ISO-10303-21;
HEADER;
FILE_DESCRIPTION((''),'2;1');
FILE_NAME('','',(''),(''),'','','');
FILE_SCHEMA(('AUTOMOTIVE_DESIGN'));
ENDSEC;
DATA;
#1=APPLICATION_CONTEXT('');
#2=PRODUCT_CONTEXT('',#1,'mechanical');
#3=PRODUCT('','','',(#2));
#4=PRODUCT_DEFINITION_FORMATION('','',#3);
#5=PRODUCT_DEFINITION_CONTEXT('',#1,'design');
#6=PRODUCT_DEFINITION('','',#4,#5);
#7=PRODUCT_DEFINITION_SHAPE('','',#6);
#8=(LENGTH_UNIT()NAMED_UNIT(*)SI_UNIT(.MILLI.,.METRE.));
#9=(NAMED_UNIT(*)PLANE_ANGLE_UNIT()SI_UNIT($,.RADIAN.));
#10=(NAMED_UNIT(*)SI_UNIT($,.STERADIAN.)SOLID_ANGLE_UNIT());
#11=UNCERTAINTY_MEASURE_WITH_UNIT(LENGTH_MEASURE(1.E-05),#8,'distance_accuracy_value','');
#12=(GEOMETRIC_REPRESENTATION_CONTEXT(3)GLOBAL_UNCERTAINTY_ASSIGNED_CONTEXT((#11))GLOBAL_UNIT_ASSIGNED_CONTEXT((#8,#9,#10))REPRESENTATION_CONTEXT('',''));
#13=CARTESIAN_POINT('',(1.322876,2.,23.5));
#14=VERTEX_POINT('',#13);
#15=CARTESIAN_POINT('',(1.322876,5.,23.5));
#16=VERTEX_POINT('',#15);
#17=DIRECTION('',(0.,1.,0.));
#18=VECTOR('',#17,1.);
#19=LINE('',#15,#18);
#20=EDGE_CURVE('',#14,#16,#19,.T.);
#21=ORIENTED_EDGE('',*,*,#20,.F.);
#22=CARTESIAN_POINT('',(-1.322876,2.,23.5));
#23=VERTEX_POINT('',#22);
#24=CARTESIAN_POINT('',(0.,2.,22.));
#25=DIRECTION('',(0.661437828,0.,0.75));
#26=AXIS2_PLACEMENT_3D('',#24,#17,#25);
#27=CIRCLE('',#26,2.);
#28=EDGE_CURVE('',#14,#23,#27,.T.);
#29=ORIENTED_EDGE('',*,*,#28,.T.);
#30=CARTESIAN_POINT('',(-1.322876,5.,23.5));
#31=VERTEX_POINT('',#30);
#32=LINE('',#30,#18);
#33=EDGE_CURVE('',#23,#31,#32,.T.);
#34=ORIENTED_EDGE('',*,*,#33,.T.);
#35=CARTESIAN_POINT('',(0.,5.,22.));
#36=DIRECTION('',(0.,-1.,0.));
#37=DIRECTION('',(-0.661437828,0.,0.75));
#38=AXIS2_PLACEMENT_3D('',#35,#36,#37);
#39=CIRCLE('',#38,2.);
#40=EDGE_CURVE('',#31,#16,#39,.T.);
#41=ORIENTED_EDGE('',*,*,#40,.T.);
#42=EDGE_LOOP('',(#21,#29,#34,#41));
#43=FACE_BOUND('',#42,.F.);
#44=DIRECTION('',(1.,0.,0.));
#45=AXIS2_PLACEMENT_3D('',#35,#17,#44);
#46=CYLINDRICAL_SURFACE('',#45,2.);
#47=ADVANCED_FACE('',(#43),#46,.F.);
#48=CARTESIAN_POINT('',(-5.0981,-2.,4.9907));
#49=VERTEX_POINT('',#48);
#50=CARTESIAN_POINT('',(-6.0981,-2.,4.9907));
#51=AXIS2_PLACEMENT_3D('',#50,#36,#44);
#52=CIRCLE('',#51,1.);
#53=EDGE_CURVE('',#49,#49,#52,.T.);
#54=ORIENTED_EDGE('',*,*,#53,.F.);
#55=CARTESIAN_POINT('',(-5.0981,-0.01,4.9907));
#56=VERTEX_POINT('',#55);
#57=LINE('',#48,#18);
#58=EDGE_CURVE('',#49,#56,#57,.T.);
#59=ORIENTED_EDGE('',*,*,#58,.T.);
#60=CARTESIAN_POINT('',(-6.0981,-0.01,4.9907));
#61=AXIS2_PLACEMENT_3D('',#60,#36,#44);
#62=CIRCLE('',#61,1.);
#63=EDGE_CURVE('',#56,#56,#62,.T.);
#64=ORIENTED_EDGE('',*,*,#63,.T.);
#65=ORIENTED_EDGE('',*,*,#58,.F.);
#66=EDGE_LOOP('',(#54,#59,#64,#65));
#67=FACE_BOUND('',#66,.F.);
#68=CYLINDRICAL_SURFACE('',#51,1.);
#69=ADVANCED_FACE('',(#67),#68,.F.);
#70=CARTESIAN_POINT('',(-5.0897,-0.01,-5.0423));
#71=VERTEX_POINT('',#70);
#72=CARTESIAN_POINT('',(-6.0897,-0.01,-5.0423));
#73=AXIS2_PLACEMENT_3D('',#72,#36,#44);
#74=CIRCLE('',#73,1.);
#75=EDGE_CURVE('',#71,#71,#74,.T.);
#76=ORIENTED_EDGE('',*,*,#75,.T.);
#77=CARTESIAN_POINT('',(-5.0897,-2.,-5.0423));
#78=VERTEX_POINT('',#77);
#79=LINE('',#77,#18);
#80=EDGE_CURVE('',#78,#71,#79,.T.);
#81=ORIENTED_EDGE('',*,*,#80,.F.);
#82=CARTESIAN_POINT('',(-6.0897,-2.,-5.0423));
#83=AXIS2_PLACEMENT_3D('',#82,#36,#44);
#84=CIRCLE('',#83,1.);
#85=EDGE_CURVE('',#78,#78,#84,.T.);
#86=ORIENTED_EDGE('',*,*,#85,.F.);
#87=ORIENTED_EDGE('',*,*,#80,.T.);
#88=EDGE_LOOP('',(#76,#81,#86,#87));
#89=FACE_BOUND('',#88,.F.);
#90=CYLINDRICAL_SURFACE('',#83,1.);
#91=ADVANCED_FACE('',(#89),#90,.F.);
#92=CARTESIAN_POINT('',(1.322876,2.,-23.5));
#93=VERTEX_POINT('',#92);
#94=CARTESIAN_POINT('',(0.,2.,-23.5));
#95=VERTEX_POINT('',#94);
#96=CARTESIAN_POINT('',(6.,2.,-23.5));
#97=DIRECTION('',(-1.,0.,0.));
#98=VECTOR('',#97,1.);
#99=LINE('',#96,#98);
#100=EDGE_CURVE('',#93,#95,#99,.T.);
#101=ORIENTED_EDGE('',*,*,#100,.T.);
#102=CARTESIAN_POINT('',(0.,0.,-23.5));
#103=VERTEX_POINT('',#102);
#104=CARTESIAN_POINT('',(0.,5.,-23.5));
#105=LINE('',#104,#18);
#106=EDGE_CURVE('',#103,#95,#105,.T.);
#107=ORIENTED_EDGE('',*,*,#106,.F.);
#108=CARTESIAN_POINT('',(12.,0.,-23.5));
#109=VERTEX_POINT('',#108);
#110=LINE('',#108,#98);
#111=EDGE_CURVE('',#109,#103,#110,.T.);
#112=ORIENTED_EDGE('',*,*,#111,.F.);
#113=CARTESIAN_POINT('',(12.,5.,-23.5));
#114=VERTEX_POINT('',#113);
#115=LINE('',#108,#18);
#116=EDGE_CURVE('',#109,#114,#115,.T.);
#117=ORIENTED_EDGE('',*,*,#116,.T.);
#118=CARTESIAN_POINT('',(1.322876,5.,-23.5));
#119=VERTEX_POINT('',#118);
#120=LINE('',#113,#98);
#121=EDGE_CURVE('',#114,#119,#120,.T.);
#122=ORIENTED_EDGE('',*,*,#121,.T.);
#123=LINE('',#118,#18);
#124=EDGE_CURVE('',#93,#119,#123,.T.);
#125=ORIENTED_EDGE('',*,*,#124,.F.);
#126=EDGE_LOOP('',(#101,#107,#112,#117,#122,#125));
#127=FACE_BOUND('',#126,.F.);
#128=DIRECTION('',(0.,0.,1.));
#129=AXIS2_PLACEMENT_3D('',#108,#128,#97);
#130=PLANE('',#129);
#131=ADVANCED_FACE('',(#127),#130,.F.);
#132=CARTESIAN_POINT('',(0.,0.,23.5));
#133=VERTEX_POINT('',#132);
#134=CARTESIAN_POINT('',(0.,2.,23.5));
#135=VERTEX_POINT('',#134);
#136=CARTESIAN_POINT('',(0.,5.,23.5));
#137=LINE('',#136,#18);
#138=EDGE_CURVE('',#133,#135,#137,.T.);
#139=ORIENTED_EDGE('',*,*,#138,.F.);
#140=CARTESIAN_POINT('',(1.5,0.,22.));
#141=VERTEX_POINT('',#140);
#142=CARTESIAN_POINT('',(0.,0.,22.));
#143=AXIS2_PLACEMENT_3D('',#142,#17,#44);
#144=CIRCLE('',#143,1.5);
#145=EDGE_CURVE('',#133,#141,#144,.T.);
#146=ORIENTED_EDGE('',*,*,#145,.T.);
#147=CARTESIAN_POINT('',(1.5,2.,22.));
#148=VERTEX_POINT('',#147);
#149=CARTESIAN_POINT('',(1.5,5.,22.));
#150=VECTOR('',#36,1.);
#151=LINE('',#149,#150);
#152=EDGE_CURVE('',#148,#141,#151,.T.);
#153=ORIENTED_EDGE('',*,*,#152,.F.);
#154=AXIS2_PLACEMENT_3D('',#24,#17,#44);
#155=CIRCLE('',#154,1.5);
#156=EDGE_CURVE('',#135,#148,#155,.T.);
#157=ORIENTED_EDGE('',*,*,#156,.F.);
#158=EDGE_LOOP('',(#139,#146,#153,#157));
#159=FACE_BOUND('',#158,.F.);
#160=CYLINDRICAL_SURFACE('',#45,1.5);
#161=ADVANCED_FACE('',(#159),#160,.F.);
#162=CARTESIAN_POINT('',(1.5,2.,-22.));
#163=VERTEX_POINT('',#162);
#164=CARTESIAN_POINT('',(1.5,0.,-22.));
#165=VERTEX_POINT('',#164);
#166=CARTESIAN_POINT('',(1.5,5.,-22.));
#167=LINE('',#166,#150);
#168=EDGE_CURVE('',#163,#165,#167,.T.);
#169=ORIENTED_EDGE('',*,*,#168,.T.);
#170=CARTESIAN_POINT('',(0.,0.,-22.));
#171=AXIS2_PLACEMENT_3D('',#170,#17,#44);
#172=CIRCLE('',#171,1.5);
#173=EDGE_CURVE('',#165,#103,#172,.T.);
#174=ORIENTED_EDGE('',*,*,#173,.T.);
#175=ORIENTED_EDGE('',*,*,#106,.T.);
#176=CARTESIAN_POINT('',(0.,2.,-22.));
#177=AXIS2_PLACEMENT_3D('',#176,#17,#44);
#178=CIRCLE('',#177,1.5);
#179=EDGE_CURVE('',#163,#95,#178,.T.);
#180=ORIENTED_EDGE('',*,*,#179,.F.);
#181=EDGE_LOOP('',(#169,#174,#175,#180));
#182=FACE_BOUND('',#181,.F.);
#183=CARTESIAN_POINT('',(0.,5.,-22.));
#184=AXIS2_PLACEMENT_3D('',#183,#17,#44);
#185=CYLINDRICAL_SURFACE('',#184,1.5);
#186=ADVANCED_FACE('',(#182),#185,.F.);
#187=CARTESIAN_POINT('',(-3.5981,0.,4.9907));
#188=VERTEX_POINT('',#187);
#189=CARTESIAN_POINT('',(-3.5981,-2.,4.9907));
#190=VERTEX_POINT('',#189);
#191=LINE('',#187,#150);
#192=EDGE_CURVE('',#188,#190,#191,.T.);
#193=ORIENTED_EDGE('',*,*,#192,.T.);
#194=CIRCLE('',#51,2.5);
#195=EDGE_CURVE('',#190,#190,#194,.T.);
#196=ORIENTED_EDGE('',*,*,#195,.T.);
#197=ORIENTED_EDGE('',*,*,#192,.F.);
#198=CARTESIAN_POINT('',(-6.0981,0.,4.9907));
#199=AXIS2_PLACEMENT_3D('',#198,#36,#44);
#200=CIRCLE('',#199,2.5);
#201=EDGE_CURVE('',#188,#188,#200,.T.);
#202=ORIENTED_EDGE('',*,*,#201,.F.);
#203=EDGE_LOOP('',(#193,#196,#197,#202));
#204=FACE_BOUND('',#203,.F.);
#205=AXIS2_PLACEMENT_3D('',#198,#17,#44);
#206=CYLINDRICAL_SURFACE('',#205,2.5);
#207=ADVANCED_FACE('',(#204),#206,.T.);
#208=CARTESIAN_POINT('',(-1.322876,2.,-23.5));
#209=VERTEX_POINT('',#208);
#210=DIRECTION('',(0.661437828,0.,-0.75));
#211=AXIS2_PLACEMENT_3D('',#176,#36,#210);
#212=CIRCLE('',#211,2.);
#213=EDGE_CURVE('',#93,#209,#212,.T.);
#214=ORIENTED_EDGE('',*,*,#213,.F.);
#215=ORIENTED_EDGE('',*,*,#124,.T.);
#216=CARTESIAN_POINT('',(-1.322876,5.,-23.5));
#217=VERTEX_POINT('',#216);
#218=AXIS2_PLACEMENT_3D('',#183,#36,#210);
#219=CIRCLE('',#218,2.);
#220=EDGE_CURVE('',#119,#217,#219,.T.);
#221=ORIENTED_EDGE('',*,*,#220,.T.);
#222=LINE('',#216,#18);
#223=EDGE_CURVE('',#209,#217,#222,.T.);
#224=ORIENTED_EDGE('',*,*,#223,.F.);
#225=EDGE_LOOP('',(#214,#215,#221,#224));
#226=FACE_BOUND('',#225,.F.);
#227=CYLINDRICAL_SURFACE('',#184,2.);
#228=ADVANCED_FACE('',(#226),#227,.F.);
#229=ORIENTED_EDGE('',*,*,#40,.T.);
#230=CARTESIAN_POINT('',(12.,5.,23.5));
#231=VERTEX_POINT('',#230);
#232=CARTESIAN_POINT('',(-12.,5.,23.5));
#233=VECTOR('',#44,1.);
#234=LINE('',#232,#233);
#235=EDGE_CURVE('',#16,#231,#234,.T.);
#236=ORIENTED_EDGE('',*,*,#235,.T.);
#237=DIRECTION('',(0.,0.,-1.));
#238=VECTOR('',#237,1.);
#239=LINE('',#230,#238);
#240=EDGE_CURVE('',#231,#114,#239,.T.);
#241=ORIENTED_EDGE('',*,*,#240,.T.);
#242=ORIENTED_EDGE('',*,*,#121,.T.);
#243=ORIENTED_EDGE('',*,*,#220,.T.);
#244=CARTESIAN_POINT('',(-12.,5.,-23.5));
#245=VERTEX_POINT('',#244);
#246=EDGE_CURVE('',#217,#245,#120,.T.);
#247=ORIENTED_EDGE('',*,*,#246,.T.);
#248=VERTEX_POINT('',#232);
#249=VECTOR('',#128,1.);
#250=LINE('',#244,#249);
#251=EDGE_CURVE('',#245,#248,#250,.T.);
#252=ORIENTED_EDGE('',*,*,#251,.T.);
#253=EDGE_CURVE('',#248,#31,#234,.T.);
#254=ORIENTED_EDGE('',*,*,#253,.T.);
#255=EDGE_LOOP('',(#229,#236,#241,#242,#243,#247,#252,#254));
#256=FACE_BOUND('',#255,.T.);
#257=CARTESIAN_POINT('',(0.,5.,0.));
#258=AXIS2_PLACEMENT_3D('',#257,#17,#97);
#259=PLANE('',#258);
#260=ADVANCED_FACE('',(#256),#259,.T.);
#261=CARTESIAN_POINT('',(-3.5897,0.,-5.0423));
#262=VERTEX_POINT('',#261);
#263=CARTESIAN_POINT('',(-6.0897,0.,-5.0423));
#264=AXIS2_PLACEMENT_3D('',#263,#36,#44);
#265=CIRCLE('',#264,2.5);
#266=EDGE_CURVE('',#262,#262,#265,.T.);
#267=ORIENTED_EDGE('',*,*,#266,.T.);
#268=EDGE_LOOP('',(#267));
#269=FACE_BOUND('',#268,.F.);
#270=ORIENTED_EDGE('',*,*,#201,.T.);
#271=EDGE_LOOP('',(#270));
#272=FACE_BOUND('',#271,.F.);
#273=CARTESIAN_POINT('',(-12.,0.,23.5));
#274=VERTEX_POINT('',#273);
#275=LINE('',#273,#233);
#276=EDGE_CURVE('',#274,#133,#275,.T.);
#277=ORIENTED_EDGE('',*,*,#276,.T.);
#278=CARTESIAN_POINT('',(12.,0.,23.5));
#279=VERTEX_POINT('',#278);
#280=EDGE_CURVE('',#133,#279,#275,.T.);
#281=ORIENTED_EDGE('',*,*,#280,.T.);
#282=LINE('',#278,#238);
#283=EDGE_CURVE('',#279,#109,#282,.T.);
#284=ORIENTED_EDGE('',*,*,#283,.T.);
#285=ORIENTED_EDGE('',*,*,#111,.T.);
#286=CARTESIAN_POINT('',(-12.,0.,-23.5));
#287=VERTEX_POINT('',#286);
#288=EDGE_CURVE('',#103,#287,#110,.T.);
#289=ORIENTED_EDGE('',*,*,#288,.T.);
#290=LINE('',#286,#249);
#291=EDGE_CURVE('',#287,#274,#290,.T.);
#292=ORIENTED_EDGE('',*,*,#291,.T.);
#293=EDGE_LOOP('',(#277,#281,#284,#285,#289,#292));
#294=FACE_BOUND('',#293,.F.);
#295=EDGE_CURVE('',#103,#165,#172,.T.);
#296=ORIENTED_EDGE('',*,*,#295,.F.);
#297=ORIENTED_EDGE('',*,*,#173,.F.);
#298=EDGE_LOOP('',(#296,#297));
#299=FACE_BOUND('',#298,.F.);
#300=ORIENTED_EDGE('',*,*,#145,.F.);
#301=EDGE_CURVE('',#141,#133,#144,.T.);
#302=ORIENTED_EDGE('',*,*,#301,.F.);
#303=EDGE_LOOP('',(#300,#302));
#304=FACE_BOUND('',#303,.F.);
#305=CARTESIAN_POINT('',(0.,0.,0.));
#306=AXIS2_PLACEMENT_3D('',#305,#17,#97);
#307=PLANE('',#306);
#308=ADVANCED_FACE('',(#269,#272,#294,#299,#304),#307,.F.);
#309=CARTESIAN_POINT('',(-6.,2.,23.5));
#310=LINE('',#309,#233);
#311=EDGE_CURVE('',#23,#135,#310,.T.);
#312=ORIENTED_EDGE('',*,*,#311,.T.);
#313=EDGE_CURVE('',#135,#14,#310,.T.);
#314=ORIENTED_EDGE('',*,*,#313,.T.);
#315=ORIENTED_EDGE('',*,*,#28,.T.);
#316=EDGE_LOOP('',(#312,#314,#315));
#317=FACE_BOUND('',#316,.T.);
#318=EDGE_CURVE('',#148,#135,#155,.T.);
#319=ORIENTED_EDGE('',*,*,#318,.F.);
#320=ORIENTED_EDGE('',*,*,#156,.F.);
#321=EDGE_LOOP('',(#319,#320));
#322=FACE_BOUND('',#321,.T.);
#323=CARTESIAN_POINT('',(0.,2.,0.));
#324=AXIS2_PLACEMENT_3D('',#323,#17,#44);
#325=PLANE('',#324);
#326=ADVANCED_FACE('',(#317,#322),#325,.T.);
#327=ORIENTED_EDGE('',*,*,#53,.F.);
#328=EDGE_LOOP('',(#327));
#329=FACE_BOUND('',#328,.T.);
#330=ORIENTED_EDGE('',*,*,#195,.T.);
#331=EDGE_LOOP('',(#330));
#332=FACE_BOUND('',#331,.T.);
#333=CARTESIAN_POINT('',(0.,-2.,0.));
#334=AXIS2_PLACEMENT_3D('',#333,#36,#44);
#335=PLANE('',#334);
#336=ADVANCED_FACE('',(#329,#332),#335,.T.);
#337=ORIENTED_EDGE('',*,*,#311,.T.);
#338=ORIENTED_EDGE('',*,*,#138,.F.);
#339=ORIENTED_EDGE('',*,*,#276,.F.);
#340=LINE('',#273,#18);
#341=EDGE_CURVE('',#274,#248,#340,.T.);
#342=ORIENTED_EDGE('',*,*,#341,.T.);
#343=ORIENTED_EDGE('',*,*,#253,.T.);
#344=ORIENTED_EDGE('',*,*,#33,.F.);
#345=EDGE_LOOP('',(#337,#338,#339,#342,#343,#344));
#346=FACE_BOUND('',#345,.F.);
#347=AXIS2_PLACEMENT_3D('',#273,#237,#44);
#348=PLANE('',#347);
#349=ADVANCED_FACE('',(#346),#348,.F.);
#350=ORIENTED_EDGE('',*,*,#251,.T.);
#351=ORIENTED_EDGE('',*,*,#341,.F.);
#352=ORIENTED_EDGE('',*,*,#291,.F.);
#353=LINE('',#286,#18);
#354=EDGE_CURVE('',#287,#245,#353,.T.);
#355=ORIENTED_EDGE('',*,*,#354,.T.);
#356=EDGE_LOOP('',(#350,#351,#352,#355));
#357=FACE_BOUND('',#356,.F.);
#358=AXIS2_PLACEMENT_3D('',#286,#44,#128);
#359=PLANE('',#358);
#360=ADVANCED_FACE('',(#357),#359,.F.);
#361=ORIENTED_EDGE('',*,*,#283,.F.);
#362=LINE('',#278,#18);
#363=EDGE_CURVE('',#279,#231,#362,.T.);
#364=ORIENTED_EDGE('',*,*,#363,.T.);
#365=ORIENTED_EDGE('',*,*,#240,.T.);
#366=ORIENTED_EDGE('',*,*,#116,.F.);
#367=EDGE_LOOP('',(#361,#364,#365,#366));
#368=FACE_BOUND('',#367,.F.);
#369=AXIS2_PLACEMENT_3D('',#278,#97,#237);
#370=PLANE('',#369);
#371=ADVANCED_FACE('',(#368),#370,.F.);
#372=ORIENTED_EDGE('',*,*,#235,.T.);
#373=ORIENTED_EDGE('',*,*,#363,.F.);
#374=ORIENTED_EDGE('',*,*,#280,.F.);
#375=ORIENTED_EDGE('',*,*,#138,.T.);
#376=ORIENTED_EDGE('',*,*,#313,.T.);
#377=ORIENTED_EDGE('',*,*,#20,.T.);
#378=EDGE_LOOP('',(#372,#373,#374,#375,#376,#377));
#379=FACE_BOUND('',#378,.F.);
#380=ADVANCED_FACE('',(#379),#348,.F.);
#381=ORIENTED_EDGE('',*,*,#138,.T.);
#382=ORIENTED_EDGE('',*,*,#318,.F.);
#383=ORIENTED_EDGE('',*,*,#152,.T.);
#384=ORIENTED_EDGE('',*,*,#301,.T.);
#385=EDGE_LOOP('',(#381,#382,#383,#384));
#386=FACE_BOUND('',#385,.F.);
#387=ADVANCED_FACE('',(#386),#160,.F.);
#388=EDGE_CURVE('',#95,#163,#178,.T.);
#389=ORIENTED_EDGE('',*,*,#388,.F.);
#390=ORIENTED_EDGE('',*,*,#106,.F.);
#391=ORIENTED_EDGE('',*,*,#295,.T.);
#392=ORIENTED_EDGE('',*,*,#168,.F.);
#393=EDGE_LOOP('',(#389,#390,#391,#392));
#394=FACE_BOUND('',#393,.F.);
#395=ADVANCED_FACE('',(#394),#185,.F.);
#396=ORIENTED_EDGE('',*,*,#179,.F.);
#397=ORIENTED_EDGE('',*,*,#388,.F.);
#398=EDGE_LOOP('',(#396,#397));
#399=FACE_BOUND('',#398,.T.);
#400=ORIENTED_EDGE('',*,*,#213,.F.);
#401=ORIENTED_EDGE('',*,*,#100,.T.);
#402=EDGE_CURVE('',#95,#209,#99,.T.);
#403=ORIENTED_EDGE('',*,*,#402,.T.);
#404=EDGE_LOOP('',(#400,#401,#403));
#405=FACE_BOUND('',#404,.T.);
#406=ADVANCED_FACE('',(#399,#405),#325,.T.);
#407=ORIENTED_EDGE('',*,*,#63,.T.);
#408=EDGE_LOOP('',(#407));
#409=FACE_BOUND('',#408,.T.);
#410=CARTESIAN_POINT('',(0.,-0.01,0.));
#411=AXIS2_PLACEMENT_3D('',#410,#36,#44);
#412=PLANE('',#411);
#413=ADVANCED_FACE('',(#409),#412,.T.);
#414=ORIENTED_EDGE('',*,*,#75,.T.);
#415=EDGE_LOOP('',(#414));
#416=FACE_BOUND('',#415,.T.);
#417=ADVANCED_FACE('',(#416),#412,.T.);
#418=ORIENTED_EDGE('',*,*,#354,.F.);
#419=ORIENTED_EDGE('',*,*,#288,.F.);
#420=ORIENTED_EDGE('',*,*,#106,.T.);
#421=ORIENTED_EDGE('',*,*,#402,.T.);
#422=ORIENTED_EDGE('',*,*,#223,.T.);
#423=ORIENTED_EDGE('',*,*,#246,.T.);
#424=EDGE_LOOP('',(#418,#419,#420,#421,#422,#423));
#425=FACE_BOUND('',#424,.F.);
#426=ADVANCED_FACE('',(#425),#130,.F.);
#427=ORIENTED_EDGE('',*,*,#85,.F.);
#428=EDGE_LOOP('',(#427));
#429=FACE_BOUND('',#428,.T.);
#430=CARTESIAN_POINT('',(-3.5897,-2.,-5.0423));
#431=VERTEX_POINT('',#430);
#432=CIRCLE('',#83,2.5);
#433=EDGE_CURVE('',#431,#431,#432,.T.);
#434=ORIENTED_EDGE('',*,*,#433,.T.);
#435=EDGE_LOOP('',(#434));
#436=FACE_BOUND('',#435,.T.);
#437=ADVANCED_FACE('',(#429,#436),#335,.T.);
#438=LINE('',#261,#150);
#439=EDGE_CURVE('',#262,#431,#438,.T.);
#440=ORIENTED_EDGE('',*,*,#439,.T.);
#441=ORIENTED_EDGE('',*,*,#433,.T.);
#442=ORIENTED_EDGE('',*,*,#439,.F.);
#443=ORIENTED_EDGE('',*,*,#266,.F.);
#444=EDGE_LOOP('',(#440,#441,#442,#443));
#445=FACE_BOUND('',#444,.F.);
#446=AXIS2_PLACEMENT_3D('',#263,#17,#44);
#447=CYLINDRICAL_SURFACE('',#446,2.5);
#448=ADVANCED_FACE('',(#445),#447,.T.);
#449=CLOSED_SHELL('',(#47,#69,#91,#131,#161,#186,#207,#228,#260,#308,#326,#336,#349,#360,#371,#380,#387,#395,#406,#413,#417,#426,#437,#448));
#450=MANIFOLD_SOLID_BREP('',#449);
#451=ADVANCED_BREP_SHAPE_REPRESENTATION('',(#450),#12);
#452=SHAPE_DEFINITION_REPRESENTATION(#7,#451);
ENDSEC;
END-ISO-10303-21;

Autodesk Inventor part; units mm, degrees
ref_plane "YZ Plane" through (0, 0, 0) normal (1, 0, 0) x (0, 1, 0)
ref_plane "XZ Plane" through (0, 0, 0) normal (0, 1, 0) x (-1, 0, 0)
ref_plane "XY Plane" through (0, 0, 0) normal (0, 0, 1) x (1, 0, 0)
sketch "Sketch1" plane through (0, 0, 0) normal (0, 1, 0) x (-1, 0, 0)
  line L0 (12, 23.5) -> (-12, 23.5)
  line L1 (-12, 23.5) -> (-12, -23.5)
  line L2 (-12, -23.5) -> (12, -23.5)
  line L3 (12, -23.5) -> (12, 23.5)
  point P0 (0, 0)
  dimension "d0" = 12
  dimension "d1" = 12
  dimension "d2" = 23.5
  dimension "d3" = 23.5
extrude "Extrusion1" add sketch "Sketch1" along normal blind 5
sketch "Sketch2" plane through (0, 5, 0) normal (0, 1, 0) x (1, 0, 0)
  circle A0 centre (0, -22) radius 1.5
  circle A1 centre (0, 22) radius 1.5
  point P0 (0, 0)
  dimension "d6" = 3
  dimension "d7" = 3
  dimension "d8" = 22
  dimension "d9" = 22
  dimension "d10" = 0
  dimension "d11" = 0
extrude "Extrusion2" cut sketch "Sketch2" against normal up to surface (5 mm away)
sketch "Sketch4" plane through (0, 5, 0) normal (0, 1, 0) x (1, 0, 0)
  circle A0 centre (0, -22) radius 1.5 projected
  circle A1 centre (0, 22) radius 1.5 projected
  line L0 (-12, -23.5) -> (0, -23.5) projected
  line L1 (12, -23.5) -> (12, 23.5) projected
  line L2 (12, 23.5) -> (0, 23.5) projected
  line L3 (-12, 23.5) -> (-12, -23.5) projected
  circle A2 centre (0, -22) radius 2
  circle A3 centre (0, 22) radius 2
  line L4 (0, -23.5) -> (12, -23.5) projected
  line L5 (0, 23.5) -> (-12, 23.5) projected
  point P0 (0, 0)
  dimension "d14" = 4
  dimension "d15" = 4
extrude "Extrusion3" cut sketch "Sketch4" against normal blind 3 contours L0 A2 L4 | L4 A2 L0 | L5 L2 A3 | A3 L2 L5
sketch "Sketch5" plane through (0, 0, 0) normal (0, -1, 0) x (1, 0, 0)
  line L0 (6.9, -7.1144) -> (6.9, 7.2186) projected
  line L1 (6.9, 7.2186) -> (-8.137, 7.2) projected
  line L2 (-8.137, 7.2) -> (-8.104, -7.136) projected
  line L3 (-8.104, -7.136) -> (6.9, -7.1144) projected
  circle A0 centre (4.9456, 5.262) radius 0.4065 projected
  circle A1 centre (4.9282, -4.9331) radius 0.4065 projected
  circle A2 centre (4.9478, 2.722) radius 0.4065 projected
  circle A3 centre (4.952, -2.358) radius 0.4065 projected
  circle A4 centre (-6.0981, 4.9907) radius 1.5 projected
  circle A5 centre (-6.0897, -5.0423) radius 1.5 projected
  circle A6 centre (-6.0897, -5.0423) radius 1
  circle A7 centre (-6.0981, 4.9907) radius 1
  point P0 (0, 0)
  dimension "d24" = 1
  dimension "d25" = 1
extrude "Extrusion4" add sketch "Sketch5" along normal blind 0.01 contours A4 | A5 | A6 | A7
sketch "Sketch6" plane through (0, 0, 0) normal (0, -1, 0) x (1, 0, 0)
  circle A0 centre (-6.0981, 4.9907) radius 1.5 projected
  circle A1 centre (-6.0897, -5.0423) radius 1.5 projected
  circle A2 centre (0, 22) radius 1.5 projected
  circle A3 centre (0, -22) radius 1.5 projected
  line L0 (-12, 23.5) -> (0, 23.5) projected
  line L1 (-12, -23.5) -> (-12, 23.5) projected
  line L2 (12, -23.5) -> (0, -23.5) projected
  line L3 (12, 23.5) -> (12, -23.5) projected
  circle A4 centre (-6.0981, 4.9907) radius 2.5
  circle A5 centre (-6.0897, -5.0423) radius 2.5
  line L4 (0, -23.5) -> (-12, -23.5) projected
  line L5 (0, 23.5) -> (12, 23.5) projected
  point P0 (0, 0)
  dimension "d20" = 1
  dimension "d21" = 1
extrude "Extrusion5" add sketch "Sketch6" along normal blind 2 contours A4 | A5
sketch "Sketch7" plane through (-6.0897, -2, -5.0423) normal (0, -1, 0) x (1, 0, 0)
  circle A0 centre (0, 0) radius 1.5 projected
  circle A1 centre (0, 0) radius 2.5 projected
  circle A2 centre (-0.0084, 10.033) radius 1.5 projected
  circle A3 centre (-0.0084, 10.033) radius 2.5 projected
  circle A4 centre (0, 0) radius 1
  circle A5 centre (-0.0084, 10.033) radius 1
  point P0 (6.0897, 5.0423)
  dimension "d26" = 1
  dimension "d27" = 1
extrude "Extrusion6" add sketch "Sketch7" against normal blind 5 contours A0 | A2
equation "\"d1\" = d0"
properties part number "Bottom"
